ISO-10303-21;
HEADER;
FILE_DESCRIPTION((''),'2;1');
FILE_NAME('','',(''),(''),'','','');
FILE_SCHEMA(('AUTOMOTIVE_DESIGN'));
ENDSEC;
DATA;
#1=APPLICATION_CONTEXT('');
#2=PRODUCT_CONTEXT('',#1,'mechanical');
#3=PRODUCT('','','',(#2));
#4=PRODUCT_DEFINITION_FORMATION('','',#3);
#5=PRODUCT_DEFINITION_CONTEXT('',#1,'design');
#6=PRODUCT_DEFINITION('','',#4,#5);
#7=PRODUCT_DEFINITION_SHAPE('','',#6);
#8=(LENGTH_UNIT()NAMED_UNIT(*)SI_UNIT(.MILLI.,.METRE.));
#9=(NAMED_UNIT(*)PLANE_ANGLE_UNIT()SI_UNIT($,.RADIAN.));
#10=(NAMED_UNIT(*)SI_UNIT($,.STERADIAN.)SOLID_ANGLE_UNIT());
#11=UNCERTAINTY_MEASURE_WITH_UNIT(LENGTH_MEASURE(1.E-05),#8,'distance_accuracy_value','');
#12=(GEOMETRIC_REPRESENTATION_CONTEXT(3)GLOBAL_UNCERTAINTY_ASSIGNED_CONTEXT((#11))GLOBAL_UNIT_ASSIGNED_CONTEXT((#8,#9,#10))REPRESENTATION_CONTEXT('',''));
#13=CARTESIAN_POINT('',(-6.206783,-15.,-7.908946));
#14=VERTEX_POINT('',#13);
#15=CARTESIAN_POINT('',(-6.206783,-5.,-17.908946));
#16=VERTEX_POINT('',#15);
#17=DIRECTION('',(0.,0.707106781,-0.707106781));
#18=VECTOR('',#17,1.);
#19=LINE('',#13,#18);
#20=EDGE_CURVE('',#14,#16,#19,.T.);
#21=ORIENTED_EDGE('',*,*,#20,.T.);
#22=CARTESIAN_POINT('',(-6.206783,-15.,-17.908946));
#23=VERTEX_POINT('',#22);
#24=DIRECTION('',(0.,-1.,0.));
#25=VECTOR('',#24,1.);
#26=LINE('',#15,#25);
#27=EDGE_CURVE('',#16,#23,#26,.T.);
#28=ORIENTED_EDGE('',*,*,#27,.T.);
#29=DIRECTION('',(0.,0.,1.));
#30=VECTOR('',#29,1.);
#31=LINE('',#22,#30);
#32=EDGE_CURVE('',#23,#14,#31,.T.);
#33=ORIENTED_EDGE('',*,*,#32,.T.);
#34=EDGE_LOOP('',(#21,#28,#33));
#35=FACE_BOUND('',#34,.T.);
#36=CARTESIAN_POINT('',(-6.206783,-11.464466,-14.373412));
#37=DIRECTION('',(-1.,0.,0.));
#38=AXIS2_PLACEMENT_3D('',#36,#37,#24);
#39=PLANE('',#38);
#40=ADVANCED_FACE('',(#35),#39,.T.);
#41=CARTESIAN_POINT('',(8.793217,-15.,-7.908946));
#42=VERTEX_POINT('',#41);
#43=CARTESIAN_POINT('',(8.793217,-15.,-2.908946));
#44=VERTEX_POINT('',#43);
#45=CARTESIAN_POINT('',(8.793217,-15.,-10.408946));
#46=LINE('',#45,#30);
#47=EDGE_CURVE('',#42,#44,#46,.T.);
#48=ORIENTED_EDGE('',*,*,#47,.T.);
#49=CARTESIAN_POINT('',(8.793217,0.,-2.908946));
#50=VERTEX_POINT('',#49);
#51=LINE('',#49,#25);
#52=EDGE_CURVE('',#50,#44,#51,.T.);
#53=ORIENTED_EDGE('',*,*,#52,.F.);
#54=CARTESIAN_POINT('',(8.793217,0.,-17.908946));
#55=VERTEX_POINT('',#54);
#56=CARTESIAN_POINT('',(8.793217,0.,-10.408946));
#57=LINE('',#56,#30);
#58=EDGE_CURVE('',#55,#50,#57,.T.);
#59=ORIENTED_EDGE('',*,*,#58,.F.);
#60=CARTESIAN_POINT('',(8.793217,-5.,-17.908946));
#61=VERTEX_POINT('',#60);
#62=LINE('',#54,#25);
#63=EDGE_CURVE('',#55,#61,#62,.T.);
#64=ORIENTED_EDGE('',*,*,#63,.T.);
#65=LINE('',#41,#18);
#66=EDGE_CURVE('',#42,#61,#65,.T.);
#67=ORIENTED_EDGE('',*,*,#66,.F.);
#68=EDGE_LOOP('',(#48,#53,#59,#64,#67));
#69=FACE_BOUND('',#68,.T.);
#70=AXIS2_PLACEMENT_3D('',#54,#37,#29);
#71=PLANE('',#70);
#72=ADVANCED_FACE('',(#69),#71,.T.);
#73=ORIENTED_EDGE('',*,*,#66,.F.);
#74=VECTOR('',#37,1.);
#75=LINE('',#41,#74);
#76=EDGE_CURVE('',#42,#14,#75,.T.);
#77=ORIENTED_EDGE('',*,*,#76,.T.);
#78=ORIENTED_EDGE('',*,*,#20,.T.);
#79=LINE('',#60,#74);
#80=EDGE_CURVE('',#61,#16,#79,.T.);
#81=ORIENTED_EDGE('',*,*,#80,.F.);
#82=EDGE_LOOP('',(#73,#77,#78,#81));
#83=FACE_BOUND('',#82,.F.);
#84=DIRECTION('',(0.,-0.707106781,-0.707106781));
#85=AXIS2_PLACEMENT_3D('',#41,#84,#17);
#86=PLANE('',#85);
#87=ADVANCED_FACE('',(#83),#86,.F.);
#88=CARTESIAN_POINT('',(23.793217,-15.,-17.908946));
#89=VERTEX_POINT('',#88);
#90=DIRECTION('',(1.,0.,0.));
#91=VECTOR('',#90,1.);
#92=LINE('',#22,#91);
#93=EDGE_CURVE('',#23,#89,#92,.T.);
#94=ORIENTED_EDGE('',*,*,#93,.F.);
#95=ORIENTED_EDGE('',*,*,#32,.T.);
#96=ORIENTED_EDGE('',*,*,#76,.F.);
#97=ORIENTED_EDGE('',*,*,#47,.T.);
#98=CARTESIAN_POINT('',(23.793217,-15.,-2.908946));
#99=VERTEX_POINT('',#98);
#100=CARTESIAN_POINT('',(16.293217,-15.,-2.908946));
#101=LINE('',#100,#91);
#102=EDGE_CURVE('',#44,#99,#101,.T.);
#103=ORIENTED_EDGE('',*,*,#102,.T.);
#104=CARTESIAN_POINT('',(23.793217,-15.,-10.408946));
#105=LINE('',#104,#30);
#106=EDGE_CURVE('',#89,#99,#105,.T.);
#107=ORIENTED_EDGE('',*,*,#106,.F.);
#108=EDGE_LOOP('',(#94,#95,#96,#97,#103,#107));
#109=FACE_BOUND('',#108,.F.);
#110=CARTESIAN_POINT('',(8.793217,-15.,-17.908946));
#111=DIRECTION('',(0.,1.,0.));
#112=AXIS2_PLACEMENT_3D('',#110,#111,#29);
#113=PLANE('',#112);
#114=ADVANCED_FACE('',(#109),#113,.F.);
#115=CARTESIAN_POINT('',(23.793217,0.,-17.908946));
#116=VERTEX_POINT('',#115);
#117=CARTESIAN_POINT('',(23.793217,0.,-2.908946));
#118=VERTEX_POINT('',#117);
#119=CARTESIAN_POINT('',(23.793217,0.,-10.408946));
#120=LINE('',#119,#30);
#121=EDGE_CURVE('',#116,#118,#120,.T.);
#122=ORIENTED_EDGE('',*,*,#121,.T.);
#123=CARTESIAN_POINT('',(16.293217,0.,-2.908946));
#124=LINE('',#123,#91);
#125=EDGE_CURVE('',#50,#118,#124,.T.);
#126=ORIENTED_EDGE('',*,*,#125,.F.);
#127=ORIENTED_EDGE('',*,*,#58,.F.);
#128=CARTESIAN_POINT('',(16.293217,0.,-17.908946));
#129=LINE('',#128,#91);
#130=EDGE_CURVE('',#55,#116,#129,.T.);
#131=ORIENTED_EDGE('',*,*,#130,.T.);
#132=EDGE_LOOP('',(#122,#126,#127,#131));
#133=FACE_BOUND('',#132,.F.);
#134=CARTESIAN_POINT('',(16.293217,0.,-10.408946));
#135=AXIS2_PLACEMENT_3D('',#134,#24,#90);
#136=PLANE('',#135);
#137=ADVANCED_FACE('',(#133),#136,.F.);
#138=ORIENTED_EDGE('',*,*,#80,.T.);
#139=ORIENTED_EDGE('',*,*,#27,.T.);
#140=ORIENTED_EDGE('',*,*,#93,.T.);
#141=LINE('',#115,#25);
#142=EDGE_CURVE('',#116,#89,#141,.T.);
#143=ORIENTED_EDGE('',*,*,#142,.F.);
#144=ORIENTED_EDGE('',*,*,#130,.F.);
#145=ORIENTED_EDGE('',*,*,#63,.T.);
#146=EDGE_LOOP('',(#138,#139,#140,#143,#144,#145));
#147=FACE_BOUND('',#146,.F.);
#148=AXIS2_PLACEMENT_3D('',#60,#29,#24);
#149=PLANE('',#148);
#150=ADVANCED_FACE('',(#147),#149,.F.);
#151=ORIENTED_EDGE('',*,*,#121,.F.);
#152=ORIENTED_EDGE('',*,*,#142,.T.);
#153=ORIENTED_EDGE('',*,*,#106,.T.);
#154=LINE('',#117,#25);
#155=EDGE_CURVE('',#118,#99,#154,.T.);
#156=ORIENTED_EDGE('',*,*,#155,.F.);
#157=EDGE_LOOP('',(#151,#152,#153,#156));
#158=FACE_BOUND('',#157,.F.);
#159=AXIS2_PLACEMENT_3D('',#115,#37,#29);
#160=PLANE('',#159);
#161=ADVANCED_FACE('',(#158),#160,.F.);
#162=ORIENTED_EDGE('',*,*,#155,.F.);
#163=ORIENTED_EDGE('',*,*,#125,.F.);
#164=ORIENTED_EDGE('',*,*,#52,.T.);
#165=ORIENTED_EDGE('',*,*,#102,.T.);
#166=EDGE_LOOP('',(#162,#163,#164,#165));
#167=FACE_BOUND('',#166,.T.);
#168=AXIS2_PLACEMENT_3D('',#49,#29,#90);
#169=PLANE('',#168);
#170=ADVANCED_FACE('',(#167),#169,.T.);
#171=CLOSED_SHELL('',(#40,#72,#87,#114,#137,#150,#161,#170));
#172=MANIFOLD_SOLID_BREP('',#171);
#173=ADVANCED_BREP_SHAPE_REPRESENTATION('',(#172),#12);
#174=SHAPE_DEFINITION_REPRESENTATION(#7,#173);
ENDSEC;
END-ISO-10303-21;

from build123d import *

# Parameters (mm, degrees)
F0_W     = 15
F0_H     = 15
F1_DEPTH = 15
F3_DEPTH = 15


with BuildPart() as f1:
    # F0 (on Front) → F1 (new body)
    with BuildSketch(Plane.XZ):
        with Locations((16.293217, -10.408946)):
            Rectangle(F0_W, F0_H)
    extrude(amount=F1_DEPTH)

    # F2 (on face) → F3 (join)
    with BuildSketch(Plane(origin=(8.793217, 0, 0), x_dir=(0, -1, 0), z_dir=(-1, 0, 0))):
        Polygon((15, -7.908946), (5, -17.908946), (15, -17.908946), align=None)
    extrude(amount=F3_DEPTH)


solid = f1.part
